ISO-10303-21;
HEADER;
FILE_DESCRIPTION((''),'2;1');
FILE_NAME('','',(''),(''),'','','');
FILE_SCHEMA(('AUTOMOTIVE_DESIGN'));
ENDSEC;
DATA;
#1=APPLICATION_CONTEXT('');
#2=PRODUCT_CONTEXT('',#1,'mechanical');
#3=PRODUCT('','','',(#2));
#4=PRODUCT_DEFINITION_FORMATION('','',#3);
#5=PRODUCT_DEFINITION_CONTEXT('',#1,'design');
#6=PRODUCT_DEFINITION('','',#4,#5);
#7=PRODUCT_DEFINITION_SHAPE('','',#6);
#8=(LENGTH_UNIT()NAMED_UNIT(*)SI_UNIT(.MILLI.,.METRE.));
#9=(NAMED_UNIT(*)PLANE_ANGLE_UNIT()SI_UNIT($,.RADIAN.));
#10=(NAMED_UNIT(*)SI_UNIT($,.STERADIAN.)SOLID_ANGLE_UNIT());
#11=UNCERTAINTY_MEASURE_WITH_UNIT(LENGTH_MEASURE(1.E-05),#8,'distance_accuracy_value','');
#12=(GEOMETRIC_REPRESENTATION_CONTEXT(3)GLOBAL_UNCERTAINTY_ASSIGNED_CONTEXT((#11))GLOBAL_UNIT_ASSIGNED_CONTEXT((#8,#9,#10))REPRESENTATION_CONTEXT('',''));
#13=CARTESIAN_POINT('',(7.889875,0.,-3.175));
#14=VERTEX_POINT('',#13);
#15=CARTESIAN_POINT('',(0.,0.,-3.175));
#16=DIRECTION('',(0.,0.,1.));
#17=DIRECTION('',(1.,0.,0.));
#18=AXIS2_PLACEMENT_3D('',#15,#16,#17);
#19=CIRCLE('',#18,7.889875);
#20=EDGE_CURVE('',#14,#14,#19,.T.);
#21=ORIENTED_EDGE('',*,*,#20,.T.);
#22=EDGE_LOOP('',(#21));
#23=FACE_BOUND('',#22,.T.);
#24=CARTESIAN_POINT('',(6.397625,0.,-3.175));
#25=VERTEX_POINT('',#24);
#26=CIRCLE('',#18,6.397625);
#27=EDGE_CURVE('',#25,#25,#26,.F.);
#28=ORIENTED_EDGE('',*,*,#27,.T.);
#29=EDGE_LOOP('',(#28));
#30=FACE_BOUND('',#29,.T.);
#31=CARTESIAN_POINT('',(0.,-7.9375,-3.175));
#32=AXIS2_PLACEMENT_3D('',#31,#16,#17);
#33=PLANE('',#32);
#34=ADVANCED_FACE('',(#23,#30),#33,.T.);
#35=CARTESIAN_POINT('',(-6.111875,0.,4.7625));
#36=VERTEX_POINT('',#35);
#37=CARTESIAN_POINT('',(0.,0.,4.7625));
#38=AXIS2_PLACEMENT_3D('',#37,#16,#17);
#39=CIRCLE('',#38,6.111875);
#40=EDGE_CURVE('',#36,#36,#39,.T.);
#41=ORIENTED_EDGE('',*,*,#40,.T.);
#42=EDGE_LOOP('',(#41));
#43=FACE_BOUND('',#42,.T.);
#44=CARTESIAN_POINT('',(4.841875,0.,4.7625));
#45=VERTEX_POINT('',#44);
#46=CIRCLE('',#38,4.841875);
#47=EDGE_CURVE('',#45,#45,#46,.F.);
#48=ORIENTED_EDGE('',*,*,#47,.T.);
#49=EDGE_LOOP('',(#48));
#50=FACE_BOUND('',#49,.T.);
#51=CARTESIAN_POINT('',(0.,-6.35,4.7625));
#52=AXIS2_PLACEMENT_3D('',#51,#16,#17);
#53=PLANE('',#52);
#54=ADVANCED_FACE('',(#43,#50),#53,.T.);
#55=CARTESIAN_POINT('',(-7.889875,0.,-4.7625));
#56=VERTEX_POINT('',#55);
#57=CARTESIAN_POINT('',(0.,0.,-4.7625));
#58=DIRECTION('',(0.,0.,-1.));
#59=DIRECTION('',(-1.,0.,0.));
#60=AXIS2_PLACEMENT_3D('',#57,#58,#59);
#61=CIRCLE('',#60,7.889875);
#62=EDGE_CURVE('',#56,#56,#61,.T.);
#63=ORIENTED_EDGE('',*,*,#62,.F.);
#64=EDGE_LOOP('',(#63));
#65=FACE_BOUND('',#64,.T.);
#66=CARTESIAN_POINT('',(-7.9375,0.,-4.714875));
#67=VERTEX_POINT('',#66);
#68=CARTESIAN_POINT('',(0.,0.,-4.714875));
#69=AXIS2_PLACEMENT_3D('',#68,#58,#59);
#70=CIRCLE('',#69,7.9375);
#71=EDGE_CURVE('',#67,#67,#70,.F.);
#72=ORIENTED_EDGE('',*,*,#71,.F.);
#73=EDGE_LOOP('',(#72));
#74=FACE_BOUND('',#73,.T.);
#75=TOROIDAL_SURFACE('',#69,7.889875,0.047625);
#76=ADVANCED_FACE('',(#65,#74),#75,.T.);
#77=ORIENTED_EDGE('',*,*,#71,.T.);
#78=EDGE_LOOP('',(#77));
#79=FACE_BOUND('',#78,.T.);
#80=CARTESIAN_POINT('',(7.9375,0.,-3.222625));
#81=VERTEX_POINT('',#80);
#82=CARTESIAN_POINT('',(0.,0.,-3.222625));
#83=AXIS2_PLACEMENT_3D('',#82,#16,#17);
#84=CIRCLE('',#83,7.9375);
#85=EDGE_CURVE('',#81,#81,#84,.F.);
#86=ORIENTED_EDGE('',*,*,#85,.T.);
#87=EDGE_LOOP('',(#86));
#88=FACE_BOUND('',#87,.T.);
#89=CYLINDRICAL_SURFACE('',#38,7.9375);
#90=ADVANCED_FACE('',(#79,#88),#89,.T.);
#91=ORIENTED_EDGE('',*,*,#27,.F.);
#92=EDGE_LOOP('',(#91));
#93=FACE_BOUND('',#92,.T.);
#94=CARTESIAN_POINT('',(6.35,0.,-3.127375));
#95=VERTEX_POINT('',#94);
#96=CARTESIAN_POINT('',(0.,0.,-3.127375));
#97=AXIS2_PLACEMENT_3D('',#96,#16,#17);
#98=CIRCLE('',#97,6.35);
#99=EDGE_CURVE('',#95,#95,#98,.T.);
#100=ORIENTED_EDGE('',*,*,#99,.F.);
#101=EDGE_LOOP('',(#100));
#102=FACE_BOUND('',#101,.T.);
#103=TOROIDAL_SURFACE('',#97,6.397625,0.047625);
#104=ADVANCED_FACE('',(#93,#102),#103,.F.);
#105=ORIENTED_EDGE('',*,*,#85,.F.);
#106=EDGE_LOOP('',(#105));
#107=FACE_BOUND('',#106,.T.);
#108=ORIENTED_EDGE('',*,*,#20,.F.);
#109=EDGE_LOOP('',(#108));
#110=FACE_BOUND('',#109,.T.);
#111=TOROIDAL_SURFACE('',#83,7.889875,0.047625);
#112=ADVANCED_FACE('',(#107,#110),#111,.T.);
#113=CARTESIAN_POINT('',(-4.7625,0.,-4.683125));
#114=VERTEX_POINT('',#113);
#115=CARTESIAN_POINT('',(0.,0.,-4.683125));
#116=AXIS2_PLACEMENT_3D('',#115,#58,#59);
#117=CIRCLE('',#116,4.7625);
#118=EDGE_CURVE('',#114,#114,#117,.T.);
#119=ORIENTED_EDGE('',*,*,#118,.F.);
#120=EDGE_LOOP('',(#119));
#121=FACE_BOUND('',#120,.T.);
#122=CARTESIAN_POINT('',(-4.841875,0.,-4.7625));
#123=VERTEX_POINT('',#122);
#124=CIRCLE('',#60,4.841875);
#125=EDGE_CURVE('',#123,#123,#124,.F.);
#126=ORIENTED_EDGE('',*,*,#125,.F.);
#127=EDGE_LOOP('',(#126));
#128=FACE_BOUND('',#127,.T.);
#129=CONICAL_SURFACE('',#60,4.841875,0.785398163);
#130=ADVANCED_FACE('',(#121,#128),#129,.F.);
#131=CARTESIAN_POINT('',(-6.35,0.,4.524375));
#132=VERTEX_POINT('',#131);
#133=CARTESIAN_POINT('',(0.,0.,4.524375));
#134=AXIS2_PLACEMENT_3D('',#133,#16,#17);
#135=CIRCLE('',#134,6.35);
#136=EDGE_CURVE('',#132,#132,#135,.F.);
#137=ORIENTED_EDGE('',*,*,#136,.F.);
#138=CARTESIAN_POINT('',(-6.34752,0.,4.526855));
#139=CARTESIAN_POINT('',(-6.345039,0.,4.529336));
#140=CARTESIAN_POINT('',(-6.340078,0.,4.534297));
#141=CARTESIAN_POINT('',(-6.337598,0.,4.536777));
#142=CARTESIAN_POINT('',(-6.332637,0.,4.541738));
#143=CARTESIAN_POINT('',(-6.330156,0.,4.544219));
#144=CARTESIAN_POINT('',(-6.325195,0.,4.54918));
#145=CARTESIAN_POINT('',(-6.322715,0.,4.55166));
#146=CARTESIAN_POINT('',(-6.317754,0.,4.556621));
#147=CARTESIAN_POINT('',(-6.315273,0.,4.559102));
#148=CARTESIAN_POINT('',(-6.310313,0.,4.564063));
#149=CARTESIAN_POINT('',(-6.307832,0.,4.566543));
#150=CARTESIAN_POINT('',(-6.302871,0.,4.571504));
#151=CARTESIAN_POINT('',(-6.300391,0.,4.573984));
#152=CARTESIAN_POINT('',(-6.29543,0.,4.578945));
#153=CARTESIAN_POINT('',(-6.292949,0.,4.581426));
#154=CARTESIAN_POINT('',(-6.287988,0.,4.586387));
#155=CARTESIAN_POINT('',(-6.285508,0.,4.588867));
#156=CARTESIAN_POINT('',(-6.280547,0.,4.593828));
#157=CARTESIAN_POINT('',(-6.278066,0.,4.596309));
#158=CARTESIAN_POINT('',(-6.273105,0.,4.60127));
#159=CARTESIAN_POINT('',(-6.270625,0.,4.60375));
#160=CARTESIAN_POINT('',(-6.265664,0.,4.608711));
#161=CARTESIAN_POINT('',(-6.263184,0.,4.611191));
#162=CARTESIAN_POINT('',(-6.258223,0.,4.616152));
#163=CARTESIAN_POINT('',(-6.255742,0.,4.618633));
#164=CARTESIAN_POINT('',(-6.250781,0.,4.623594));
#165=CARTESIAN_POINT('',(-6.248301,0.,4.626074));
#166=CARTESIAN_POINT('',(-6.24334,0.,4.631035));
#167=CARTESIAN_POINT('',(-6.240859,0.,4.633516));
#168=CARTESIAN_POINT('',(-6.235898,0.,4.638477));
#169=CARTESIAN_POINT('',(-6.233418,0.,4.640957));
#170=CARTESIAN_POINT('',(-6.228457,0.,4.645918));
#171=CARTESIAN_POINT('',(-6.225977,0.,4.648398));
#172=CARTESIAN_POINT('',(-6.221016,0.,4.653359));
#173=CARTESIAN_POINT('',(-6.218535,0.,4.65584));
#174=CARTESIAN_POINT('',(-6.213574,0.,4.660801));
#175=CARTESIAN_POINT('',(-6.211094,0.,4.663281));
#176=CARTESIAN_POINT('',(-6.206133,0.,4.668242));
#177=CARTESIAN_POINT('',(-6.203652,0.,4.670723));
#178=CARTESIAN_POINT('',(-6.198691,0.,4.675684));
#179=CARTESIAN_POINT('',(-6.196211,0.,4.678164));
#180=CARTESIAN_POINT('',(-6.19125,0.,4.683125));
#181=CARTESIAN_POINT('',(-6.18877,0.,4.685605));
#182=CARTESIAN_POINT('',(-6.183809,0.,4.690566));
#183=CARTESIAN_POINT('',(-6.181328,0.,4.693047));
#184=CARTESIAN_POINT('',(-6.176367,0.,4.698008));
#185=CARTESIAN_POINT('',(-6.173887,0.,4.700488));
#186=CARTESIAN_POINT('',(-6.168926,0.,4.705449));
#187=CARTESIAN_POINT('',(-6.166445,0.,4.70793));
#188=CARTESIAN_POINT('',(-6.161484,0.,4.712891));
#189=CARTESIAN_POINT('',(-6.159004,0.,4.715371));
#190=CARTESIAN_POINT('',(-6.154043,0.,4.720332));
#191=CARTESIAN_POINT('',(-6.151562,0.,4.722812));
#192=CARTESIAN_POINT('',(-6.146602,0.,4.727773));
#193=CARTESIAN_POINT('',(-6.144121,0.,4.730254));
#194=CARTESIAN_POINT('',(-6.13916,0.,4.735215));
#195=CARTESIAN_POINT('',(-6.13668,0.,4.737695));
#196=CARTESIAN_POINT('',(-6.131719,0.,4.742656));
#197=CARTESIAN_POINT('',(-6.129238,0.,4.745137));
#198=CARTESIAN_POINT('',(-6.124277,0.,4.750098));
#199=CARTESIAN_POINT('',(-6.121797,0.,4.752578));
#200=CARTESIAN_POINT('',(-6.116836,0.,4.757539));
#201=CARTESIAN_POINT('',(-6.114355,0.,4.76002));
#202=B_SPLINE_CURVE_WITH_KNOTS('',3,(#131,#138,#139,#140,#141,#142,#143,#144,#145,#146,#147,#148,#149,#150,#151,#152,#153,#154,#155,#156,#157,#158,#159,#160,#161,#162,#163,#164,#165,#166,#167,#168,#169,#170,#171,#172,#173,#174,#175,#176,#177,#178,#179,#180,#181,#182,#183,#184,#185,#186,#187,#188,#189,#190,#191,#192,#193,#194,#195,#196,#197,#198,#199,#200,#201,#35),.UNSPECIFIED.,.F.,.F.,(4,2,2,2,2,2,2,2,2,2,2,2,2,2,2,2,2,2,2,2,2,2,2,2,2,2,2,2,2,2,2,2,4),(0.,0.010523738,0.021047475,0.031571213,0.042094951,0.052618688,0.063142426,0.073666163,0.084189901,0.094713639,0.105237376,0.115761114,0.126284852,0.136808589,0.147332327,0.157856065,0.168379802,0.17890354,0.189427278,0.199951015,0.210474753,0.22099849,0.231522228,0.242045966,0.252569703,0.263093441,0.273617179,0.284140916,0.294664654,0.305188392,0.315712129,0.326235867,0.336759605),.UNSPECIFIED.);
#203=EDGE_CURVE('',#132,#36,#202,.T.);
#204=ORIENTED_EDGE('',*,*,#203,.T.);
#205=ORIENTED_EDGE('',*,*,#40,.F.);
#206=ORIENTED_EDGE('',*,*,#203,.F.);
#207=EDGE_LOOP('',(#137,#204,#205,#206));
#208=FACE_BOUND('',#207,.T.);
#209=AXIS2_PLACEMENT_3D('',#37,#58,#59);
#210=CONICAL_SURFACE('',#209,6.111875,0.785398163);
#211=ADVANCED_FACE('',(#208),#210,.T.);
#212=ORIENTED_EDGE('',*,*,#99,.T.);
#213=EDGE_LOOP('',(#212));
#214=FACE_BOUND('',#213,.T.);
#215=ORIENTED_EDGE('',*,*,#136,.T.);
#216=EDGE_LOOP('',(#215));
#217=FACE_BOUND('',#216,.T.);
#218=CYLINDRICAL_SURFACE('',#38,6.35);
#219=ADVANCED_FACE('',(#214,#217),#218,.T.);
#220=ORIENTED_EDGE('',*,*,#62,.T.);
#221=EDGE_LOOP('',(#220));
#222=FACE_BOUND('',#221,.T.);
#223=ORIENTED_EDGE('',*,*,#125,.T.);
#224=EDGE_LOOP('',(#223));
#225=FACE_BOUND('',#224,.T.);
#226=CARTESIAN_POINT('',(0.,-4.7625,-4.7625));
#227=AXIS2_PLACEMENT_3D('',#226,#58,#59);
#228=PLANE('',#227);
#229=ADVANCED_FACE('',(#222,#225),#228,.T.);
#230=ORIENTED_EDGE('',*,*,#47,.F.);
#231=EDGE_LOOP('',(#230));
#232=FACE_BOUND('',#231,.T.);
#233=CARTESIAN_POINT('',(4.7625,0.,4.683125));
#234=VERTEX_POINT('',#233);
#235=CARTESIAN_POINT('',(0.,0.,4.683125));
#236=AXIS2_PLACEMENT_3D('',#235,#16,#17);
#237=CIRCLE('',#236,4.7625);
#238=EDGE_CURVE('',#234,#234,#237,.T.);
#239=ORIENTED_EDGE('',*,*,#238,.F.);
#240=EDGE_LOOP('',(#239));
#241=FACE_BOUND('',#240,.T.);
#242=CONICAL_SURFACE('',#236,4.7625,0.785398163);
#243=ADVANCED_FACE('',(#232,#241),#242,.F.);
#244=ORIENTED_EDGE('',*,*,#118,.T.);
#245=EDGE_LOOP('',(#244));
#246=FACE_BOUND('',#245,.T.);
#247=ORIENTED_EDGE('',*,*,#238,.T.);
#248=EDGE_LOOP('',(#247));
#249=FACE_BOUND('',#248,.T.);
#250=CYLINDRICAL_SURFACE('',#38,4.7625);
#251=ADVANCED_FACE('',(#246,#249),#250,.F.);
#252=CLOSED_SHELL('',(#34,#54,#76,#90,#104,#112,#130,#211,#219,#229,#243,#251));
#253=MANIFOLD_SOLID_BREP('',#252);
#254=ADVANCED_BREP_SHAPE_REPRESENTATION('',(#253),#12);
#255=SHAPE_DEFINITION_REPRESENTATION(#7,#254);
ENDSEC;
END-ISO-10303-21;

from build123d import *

# Parameters (mm, degrees)
CHAMFER1_SIZE = 0.238125
CHAMFER2_SIZE = 0.079375
FILLET1_R     = 0.047625


with BuildPart() as part:
    # Sketch3 → Revolve1 (revolve)
    with BuildSketch(Plane(origin=(0, 0, 0), x_dir=(0, 0, -1), z_dir=(1, 0, 0)), mode=Mode.PRIVATE) as revolve1_sk:
        Polygon((4.7625, -7.9375), (3.175, -7.9375), (3.175, -6.35), (-4.7625, -6.35), (-4.7625, -4.7625), (4.7625, -4.7625), align=None)
    revolve(revolve1_sk.sketch.rotate(Axis((0, 0, 4.7625), (0, 0, -1)), 270), axis=Axis((0, 0, 4.7625), (0, 0, -1)))

    # Chamfer1
    chamfer1_edges = [part.edges().sort_by_distance(p)[0] for p in [
        (-6.35, 0, 4.7625),
    ]]
    chamfer(chamfer1_edges, length=CHAMFER1_SIZE)

    # Chamfer2
    chamfer2_edges = [part.edges().sort_by_distance(p)[0] for p in [
        (-4.7625, 0, -4.7625),
        (-4.7625, 0, 4.7625),
    ]]
    chamfer(chamfer2_edges, length=CHAMFER2_SIZE)

    # Fillet1
    fillet1_edges = [part.edges().sort_by_distance(p)[0] for p in [
        (-6.35, 0, -3.175),
        (-7.9375, 0, -3.175),
        (-7.9375, 0, -4.7625),
    ]]
    fillet(fillet1_edges, radius=FILLET1_R)


solid = part.part
